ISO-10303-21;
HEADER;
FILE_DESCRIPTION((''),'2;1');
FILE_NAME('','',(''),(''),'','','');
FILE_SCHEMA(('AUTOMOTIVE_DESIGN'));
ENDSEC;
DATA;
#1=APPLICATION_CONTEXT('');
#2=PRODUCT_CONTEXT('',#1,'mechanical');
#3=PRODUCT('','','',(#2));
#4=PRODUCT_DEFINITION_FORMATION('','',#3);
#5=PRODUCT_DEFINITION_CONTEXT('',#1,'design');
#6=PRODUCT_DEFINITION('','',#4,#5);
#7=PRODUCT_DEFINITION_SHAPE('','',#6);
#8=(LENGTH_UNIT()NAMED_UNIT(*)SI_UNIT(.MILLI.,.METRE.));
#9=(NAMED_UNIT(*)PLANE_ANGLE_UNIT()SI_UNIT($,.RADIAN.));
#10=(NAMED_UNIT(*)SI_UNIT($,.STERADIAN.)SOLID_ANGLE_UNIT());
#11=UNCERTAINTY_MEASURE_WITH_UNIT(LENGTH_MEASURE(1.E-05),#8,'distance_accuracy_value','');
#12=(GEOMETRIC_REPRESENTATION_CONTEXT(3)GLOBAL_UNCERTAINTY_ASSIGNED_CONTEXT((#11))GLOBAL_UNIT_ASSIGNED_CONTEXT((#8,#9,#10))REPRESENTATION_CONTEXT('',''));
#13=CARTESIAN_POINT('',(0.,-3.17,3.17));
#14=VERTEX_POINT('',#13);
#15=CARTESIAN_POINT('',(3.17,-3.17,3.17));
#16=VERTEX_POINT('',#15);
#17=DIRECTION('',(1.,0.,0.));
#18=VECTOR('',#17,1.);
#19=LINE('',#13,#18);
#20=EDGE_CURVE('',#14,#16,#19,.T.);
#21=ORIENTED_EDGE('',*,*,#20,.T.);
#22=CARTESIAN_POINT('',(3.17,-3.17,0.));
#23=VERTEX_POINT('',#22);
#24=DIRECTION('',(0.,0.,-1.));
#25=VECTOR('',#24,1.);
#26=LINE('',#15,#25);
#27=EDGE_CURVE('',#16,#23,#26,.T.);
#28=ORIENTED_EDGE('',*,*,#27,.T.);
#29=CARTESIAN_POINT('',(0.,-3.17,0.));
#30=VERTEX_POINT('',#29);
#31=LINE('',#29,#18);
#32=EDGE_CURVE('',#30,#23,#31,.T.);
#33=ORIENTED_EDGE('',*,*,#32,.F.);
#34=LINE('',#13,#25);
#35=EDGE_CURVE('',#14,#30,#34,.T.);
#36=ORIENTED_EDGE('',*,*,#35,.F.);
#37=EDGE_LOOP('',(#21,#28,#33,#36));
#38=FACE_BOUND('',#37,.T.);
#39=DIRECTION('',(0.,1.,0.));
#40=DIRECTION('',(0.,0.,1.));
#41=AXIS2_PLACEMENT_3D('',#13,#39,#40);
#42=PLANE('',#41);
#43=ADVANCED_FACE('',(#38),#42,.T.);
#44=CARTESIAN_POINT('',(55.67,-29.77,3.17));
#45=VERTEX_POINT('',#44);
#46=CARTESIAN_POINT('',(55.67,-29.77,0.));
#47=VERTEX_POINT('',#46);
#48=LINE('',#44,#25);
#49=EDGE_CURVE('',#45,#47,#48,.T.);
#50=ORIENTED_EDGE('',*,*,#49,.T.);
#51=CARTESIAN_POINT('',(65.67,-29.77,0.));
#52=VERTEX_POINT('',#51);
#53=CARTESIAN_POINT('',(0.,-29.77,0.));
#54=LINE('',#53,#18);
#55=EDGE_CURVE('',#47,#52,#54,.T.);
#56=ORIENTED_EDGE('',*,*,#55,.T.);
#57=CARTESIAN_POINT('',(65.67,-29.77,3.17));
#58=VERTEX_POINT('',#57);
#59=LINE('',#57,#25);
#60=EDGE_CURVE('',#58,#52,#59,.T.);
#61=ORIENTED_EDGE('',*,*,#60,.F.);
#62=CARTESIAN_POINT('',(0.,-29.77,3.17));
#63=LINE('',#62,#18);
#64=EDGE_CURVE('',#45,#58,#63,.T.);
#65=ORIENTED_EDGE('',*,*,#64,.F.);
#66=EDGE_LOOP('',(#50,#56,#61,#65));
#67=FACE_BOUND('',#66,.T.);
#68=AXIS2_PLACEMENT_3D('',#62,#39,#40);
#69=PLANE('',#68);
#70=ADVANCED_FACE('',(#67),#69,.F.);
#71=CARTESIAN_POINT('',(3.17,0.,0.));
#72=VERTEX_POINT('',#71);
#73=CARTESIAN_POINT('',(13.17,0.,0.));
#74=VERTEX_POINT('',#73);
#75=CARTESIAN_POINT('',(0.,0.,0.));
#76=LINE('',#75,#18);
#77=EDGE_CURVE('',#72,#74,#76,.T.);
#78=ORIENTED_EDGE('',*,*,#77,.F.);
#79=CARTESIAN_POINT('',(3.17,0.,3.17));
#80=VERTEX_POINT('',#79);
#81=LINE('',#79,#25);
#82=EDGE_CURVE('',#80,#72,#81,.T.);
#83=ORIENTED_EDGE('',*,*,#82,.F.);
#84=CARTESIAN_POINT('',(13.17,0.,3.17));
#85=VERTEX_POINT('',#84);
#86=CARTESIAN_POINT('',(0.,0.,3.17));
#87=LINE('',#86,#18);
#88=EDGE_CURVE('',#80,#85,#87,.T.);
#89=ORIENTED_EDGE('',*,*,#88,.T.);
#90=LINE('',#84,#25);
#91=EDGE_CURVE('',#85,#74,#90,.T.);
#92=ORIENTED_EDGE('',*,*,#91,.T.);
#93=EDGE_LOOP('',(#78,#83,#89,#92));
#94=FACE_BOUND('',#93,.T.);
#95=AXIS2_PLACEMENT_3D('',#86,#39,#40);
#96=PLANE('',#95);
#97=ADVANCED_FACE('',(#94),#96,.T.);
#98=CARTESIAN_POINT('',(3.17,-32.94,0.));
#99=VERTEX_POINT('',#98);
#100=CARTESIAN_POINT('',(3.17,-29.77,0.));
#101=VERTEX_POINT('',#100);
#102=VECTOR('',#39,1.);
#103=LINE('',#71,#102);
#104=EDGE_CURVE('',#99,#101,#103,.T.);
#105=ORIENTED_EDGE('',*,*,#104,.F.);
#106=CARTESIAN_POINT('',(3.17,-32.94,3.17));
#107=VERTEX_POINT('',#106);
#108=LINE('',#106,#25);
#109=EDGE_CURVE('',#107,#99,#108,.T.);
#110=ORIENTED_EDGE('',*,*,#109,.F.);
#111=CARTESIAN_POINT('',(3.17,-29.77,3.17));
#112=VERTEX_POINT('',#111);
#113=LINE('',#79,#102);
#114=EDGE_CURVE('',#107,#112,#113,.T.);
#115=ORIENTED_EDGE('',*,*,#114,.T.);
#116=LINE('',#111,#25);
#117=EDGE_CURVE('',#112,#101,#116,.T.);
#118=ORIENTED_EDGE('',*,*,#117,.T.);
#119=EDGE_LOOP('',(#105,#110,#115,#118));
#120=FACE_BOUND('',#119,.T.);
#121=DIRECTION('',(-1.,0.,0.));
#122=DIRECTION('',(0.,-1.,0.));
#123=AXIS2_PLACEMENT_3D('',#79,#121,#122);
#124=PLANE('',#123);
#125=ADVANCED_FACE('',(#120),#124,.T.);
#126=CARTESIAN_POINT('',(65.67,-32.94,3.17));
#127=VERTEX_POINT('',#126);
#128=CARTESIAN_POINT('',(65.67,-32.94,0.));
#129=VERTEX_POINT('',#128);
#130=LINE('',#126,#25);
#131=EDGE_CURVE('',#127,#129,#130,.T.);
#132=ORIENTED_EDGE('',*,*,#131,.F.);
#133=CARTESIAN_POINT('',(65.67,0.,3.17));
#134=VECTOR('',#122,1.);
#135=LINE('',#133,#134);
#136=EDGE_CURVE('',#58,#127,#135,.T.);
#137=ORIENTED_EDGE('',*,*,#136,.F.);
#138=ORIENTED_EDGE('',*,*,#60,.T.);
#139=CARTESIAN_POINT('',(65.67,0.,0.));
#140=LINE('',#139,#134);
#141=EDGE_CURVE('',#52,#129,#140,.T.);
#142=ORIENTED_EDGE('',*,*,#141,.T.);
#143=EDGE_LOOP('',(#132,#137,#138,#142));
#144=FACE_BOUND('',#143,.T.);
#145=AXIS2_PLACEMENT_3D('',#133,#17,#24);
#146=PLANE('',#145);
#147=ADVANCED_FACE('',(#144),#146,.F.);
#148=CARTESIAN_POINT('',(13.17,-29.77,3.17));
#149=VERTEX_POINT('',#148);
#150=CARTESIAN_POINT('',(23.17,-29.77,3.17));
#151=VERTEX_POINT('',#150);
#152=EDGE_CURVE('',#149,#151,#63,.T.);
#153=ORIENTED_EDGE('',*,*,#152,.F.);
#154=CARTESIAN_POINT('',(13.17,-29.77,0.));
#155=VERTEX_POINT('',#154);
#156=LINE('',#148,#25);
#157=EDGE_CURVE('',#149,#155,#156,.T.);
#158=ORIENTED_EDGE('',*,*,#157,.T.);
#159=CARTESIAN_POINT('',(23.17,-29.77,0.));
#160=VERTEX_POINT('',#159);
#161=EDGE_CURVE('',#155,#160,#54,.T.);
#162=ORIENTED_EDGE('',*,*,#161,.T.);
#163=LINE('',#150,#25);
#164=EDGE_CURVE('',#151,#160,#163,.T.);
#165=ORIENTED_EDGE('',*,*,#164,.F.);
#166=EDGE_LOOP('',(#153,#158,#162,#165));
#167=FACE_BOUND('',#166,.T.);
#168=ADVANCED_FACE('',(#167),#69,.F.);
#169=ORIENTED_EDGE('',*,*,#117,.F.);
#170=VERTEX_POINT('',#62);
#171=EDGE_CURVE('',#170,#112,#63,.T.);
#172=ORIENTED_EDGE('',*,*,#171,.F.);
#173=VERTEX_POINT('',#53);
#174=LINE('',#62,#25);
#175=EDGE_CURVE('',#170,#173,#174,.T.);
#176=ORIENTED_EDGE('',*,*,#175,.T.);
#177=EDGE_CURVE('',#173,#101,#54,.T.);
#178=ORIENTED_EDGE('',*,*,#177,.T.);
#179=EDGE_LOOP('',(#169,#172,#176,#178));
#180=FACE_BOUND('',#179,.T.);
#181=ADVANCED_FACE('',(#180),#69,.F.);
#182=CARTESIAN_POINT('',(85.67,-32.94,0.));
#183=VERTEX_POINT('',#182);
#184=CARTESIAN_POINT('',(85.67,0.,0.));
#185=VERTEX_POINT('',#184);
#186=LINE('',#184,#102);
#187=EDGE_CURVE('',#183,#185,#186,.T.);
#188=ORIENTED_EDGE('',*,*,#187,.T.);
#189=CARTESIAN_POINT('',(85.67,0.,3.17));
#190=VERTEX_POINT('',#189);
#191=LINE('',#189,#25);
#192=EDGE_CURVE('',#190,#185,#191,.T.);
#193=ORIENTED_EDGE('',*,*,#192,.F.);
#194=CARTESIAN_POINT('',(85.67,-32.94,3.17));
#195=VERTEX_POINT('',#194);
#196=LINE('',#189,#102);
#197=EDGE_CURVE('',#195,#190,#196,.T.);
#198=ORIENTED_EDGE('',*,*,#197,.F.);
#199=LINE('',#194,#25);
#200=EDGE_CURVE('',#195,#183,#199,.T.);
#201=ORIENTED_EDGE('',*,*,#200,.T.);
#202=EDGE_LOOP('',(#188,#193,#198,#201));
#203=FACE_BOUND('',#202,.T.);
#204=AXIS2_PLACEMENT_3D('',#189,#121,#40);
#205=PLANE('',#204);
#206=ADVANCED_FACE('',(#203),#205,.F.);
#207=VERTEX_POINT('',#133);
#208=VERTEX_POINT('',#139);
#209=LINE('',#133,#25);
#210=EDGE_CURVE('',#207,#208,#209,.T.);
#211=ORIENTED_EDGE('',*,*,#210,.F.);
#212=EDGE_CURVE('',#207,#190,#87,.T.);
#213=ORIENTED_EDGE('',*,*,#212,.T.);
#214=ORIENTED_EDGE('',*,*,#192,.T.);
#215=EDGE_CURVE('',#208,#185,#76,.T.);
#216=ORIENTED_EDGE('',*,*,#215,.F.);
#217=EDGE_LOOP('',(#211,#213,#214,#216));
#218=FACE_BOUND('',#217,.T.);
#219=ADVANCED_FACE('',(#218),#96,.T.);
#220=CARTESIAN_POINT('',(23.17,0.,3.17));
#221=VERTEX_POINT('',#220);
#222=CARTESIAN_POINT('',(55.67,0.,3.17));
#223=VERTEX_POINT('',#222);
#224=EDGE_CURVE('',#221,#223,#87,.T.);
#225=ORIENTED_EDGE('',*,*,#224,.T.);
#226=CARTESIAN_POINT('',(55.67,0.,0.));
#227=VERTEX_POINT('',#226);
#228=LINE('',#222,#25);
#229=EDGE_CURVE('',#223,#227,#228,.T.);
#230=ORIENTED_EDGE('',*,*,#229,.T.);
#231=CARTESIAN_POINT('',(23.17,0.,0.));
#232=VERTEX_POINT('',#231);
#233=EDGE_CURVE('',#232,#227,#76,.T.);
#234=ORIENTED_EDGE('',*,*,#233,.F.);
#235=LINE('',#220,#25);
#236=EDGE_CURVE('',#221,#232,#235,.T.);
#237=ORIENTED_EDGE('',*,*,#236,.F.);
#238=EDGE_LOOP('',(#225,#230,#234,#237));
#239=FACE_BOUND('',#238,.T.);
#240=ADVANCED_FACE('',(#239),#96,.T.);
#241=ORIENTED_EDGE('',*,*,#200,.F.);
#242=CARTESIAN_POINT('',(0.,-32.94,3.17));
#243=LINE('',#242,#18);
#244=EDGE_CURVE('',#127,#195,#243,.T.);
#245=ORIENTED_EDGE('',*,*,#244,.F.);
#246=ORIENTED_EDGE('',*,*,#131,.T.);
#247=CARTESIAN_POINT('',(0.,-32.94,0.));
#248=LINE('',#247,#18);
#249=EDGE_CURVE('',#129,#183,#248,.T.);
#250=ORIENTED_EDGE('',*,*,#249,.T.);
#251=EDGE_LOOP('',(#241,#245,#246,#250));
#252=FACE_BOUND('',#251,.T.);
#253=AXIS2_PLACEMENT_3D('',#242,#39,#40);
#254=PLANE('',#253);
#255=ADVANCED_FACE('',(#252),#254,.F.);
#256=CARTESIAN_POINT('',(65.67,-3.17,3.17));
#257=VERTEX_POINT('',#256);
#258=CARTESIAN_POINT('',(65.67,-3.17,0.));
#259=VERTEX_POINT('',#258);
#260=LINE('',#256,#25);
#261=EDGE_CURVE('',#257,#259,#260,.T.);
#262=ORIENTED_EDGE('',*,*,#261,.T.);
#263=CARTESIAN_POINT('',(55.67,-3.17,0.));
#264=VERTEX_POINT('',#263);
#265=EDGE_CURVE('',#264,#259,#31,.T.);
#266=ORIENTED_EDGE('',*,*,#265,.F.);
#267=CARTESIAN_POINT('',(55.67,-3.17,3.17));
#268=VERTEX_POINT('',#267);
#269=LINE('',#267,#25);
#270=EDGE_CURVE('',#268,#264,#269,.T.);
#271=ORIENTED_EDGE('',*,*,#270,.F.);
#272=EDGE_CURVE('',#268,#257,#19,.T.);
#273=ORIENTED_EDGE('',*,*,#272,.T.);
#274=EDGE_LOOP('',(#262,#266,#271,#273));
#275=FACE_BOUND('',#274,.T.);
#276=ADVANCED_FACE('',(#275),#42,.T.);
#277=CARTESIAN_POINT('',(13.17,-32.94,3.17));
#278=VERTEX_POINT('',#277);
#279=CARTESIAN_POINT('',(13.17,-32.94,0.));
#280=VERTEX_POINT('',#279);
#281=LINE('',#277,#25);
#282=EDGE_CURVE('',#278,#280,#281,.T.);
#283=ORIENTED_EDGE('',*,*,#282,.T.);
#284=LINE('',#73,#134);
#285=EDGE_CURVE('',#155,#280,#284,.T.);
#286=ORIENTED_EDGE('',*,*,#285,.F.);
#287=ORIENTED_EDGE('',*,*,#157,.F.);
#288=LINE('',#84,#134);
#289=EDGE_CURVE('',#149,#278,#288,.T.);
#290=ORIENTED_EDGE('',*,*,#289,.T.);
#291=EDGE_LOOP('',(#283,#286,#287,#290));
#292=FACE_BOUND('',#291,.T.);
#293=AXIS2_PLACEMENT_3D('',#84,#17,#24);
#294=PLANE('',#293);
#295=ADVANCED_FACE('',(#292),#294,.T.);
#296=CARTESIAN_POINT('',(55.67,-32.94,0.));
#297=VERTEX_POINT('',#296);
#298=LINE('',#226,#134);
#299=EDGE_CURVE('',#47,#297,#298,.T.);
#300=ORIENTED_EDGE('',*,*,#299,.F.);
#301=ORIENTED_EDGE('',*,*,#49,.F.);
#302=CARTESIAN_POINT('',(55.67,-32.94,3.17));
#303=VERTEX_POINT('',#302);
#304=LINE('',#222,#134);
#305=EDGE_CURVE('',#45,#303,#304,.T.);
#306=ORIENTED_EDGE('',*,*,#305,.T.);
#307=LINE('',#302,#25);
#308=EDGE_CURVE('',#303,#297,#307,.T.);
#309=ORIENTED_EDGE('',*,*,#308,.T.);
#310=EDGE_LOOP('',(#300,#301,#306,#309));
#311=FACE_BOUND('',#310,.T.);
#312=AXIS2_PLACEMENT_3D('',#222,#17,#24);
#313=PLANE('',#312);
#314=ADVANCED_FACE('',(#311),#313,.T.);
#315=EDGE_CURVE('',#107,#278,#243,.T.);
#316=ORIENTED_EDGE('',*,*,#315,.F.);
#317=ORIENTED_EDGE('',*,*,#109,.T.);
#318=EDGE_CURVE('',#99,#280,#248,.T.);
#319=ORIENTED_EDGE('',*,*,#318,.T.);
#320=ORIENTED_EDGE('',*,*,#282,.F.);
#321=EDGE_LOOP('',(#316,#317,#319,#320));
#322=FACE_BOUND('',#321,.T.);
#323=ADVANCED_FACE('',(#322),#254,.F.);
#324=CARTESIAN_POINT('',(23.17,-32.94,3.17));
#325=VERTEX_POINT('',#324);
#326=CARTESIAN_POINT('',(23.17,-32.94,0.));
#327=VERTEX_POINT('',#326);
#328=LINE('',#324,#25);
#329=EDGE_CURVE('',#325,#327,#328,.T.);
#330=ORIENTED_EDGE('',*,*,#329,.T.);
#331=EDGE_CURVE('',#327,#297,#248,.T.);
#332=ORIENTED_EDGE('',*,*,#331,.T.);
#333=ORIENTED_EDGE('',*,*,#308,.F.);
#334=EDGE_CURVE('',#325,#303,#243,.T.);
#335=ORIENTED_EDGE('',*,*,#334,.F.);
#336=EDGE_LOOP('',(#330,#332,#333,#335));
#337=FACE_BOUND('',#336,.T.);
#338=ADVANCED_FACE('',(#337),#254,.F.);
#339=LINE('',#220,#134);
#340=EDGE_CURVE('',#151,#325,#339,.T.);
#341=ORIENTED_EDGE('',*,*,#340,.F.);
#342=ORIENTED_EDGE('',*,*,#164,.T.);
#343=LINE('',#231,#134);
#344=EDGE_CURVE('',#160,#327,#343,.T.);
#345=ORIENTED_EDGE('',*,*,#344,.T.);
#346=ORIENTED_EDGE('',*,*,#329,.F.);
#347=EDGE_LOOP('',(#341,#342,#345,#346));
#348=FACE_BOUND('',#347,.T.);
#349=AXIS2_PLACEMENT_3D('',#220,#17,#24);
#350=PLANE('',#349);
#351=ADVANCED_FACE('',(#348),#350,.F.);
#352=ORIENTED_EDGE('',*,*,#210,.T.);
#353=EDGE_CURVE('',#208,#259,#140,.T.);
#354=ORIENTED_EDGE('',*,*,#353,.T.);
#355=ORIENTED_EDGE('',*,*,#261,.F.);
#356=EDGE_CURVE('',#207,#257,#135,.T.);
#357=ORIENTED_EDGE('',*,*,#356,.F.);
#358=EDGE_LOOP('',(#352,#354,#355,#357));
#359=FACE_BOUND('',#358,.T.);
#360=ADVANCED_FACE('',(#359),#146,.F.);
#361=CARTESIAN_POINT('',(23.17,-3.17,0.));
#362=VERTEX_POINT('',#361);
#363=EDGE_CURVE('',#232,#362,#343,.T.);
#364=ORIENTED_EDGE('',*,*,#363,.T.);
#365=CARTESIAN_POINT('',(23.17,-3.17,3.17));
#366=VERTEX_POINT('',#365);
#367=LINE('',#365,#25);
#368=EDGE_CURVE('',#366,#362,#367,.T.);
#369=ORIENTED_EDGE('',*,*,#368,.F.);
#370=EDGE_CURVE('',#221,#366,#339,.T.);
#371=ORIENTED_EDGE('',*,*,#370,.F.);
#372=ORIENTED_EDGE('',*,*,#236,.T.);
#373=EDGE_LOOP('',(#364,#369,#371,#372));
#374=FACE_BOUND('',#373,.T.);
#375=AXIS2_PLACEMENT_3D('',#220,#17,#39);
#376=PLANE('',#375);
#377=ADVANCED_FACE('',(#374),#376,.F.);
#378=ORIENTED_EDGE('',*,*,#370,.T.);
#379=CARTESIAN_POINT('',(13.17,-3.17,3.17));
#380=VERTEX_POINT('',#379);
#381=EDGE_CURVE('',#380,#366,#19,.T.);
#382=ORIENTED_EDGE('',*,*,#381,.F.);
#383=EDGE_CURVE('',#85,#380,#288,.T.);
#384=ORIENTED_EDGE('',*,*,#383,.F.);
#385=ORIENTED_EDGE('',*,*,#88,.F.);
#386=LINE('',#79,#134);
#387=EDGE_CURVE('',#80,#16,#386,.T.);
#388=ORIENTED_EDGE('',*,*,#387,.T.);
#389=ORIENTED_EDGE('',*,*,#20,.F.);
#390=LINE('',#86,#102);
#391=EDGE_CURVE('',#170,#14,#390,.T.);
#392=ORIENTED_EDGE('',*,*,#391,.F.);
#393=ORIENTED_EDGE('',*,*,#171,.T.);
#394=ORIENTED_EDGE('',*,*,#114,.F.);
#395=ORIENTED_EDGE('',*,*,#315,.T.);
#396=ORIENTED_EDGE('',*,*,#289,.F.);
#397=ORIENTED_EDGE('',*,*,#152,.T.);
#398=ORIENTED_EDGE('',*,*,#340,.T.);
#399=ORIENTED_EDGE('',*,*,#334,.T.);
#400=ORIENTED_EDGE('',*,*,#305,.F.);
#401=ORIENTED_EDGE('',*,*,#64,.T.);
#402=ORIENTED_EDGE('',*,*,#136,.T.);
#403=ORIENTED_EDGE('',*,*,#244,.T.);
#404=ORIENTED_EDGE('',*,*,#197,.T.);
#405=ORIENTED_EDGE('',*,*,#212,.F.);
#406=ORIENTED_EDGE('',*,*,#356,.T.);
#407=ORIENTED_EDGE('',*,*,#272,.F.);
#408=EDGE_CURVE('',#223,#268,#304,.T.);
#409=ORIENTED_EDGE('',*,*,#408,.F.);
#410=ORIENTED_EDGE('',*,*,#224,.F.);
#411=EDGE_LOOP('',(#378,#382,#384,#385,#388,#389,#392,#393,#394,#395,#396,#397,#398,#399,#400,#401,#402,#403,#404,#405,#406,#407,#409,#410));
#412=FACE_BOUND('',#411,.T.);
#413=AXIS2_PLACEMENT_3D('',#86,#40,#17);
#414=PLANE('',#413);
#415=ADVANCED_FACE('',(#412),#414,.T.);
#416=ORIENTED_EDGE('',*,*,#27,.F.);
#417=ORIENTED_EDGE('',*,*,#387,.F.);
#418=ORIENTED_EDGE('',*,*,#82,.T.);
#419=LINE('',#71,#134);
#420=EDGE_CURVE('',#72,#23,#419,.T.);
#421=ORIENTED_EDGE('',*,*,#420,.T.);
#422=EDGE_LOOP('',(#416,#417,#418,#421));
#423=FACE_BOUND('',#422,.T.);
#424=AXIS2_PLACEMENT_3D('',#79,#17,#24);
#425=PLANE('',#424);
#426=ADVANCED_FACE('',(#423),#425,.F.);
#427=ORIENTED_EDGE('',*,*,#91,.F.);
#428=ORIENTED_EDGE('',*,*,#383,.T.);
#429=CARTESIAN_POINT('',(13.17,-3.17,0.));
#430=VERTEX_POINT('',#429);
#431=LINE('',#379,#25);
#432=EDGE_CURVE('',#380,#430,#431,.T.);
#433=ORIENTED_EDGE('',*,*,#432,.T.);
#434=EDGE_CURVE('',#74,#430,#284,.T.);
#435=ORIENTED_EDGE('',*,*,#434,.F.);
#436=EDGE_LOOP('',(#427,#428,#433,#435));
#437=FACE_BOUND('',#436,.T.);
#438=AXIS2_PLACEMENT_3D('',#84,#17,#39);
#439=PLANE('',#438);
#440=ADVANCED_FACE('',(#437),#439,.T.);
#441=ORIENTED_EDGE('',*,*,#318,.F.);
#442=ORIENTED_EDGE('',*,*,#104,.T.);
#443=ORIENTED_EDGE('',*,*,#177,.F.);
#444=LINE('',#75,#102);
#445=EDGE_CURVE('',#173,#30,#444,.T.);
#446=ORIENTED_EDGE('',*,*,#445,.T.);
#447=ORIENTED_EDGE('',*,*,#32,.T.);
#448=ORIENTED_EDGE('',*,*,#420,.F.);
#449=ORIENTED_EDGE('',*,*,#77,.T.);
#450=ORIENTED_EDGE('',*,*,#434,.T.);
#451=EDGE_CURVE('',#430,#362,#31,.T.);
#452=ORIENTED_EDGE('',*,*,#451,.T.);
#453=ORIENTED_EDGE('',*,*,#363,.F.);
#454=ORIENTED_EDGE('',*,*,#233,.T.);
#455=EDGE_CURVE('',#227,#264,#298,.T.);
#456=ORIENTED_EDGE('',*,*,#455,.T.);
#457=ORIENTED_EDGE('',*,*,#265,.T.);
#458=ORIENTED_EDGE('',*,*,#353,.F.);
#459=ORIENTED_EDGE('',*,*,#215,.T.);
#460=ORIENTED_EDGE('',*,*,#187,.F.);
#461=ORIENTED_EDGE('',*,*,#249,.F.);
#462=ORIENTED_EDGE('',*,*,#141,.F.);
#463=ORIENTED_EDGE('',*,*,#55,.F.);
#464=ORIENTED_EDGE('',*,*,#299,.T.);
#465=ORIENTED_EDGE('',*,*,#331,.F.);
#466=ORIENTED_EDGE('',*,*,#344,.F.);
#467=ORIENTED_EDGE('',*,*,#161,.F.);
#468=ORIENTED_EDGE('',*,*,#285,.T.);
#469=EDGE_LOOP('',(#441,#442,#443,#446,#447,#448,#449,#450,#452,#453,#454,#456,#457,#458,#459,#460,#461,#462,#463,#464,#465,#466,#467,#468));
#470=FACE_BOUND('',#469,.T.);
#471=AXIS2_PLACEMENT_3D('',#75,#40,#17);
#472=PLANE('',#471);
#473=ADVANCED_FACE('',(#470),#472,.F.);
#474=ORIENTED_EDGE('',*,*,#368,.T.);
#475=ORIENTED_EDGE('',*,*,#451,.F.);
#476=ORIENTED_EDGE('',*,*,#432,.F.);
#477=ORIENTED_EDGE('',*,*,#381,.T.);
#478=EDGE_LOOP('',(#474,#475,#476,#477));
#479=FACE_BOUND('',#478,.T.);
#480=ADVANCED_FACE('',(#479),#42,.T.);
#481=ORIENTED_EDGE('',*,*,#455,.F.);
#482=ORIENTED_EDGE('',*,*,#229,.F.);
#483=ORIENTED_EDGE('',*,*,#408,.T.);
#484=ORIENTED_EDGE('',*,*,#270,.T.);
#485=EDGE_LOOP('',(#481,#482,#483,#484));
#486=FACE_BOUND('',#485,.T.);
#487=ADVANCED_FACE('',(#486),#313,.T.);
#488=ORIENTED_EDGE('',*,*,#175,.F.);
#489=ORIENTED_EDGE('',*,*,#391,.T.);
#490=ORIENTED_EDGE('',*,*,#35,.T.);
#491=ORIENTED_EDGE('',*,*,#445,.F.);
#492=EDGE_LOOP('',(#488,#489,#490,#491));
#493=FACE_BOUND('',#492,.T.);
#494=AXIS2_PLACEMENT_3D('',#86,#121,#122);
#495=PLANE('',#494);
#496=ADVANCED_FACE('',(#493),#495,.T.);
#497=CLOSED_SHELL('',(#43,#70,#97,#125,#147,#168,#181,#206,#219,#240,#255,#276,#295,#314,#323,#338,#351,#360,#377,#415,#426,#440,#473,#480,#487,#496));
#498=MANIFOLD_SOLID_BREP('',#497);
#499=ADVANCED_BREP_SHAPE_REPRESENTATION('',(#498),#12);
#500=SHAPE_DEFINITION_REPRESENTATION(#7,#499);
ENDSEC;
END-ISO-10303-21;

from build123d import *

# Parameters (mm, degrees)
BOSS_EXTRUDE1_DEPTH = 3.17


with BuildPart() as part:
    # Sketch1 → Boss-Extrude1 (new body)
    with BuildSketch(Plane.XY):
        Polygon((55.67, -3.17), (55.67, 0), (23.17, 0), (23.17, -3.17), (13.17, -3.17), (13.17, 0), (3.17, 0), (3.17, -3.17), (0, -3.17), (0, -29.77), (3.17, -29.77), (3.17, -32.94), (13.17, -32.94), (13.17, -29.77), (23.17, -29.77), (23.17, -32.94), (55.67, -32.94), (55.67, -29.77), (65.67, -29.77), (65.67, -32.94), (85.67, -32.94), (85.67, 0), (65.67, 0), (65.67, -3.17), align=None)
    extrude(amount=BOSS_EXTRUDE1_DEPTH)


solid = part.part
